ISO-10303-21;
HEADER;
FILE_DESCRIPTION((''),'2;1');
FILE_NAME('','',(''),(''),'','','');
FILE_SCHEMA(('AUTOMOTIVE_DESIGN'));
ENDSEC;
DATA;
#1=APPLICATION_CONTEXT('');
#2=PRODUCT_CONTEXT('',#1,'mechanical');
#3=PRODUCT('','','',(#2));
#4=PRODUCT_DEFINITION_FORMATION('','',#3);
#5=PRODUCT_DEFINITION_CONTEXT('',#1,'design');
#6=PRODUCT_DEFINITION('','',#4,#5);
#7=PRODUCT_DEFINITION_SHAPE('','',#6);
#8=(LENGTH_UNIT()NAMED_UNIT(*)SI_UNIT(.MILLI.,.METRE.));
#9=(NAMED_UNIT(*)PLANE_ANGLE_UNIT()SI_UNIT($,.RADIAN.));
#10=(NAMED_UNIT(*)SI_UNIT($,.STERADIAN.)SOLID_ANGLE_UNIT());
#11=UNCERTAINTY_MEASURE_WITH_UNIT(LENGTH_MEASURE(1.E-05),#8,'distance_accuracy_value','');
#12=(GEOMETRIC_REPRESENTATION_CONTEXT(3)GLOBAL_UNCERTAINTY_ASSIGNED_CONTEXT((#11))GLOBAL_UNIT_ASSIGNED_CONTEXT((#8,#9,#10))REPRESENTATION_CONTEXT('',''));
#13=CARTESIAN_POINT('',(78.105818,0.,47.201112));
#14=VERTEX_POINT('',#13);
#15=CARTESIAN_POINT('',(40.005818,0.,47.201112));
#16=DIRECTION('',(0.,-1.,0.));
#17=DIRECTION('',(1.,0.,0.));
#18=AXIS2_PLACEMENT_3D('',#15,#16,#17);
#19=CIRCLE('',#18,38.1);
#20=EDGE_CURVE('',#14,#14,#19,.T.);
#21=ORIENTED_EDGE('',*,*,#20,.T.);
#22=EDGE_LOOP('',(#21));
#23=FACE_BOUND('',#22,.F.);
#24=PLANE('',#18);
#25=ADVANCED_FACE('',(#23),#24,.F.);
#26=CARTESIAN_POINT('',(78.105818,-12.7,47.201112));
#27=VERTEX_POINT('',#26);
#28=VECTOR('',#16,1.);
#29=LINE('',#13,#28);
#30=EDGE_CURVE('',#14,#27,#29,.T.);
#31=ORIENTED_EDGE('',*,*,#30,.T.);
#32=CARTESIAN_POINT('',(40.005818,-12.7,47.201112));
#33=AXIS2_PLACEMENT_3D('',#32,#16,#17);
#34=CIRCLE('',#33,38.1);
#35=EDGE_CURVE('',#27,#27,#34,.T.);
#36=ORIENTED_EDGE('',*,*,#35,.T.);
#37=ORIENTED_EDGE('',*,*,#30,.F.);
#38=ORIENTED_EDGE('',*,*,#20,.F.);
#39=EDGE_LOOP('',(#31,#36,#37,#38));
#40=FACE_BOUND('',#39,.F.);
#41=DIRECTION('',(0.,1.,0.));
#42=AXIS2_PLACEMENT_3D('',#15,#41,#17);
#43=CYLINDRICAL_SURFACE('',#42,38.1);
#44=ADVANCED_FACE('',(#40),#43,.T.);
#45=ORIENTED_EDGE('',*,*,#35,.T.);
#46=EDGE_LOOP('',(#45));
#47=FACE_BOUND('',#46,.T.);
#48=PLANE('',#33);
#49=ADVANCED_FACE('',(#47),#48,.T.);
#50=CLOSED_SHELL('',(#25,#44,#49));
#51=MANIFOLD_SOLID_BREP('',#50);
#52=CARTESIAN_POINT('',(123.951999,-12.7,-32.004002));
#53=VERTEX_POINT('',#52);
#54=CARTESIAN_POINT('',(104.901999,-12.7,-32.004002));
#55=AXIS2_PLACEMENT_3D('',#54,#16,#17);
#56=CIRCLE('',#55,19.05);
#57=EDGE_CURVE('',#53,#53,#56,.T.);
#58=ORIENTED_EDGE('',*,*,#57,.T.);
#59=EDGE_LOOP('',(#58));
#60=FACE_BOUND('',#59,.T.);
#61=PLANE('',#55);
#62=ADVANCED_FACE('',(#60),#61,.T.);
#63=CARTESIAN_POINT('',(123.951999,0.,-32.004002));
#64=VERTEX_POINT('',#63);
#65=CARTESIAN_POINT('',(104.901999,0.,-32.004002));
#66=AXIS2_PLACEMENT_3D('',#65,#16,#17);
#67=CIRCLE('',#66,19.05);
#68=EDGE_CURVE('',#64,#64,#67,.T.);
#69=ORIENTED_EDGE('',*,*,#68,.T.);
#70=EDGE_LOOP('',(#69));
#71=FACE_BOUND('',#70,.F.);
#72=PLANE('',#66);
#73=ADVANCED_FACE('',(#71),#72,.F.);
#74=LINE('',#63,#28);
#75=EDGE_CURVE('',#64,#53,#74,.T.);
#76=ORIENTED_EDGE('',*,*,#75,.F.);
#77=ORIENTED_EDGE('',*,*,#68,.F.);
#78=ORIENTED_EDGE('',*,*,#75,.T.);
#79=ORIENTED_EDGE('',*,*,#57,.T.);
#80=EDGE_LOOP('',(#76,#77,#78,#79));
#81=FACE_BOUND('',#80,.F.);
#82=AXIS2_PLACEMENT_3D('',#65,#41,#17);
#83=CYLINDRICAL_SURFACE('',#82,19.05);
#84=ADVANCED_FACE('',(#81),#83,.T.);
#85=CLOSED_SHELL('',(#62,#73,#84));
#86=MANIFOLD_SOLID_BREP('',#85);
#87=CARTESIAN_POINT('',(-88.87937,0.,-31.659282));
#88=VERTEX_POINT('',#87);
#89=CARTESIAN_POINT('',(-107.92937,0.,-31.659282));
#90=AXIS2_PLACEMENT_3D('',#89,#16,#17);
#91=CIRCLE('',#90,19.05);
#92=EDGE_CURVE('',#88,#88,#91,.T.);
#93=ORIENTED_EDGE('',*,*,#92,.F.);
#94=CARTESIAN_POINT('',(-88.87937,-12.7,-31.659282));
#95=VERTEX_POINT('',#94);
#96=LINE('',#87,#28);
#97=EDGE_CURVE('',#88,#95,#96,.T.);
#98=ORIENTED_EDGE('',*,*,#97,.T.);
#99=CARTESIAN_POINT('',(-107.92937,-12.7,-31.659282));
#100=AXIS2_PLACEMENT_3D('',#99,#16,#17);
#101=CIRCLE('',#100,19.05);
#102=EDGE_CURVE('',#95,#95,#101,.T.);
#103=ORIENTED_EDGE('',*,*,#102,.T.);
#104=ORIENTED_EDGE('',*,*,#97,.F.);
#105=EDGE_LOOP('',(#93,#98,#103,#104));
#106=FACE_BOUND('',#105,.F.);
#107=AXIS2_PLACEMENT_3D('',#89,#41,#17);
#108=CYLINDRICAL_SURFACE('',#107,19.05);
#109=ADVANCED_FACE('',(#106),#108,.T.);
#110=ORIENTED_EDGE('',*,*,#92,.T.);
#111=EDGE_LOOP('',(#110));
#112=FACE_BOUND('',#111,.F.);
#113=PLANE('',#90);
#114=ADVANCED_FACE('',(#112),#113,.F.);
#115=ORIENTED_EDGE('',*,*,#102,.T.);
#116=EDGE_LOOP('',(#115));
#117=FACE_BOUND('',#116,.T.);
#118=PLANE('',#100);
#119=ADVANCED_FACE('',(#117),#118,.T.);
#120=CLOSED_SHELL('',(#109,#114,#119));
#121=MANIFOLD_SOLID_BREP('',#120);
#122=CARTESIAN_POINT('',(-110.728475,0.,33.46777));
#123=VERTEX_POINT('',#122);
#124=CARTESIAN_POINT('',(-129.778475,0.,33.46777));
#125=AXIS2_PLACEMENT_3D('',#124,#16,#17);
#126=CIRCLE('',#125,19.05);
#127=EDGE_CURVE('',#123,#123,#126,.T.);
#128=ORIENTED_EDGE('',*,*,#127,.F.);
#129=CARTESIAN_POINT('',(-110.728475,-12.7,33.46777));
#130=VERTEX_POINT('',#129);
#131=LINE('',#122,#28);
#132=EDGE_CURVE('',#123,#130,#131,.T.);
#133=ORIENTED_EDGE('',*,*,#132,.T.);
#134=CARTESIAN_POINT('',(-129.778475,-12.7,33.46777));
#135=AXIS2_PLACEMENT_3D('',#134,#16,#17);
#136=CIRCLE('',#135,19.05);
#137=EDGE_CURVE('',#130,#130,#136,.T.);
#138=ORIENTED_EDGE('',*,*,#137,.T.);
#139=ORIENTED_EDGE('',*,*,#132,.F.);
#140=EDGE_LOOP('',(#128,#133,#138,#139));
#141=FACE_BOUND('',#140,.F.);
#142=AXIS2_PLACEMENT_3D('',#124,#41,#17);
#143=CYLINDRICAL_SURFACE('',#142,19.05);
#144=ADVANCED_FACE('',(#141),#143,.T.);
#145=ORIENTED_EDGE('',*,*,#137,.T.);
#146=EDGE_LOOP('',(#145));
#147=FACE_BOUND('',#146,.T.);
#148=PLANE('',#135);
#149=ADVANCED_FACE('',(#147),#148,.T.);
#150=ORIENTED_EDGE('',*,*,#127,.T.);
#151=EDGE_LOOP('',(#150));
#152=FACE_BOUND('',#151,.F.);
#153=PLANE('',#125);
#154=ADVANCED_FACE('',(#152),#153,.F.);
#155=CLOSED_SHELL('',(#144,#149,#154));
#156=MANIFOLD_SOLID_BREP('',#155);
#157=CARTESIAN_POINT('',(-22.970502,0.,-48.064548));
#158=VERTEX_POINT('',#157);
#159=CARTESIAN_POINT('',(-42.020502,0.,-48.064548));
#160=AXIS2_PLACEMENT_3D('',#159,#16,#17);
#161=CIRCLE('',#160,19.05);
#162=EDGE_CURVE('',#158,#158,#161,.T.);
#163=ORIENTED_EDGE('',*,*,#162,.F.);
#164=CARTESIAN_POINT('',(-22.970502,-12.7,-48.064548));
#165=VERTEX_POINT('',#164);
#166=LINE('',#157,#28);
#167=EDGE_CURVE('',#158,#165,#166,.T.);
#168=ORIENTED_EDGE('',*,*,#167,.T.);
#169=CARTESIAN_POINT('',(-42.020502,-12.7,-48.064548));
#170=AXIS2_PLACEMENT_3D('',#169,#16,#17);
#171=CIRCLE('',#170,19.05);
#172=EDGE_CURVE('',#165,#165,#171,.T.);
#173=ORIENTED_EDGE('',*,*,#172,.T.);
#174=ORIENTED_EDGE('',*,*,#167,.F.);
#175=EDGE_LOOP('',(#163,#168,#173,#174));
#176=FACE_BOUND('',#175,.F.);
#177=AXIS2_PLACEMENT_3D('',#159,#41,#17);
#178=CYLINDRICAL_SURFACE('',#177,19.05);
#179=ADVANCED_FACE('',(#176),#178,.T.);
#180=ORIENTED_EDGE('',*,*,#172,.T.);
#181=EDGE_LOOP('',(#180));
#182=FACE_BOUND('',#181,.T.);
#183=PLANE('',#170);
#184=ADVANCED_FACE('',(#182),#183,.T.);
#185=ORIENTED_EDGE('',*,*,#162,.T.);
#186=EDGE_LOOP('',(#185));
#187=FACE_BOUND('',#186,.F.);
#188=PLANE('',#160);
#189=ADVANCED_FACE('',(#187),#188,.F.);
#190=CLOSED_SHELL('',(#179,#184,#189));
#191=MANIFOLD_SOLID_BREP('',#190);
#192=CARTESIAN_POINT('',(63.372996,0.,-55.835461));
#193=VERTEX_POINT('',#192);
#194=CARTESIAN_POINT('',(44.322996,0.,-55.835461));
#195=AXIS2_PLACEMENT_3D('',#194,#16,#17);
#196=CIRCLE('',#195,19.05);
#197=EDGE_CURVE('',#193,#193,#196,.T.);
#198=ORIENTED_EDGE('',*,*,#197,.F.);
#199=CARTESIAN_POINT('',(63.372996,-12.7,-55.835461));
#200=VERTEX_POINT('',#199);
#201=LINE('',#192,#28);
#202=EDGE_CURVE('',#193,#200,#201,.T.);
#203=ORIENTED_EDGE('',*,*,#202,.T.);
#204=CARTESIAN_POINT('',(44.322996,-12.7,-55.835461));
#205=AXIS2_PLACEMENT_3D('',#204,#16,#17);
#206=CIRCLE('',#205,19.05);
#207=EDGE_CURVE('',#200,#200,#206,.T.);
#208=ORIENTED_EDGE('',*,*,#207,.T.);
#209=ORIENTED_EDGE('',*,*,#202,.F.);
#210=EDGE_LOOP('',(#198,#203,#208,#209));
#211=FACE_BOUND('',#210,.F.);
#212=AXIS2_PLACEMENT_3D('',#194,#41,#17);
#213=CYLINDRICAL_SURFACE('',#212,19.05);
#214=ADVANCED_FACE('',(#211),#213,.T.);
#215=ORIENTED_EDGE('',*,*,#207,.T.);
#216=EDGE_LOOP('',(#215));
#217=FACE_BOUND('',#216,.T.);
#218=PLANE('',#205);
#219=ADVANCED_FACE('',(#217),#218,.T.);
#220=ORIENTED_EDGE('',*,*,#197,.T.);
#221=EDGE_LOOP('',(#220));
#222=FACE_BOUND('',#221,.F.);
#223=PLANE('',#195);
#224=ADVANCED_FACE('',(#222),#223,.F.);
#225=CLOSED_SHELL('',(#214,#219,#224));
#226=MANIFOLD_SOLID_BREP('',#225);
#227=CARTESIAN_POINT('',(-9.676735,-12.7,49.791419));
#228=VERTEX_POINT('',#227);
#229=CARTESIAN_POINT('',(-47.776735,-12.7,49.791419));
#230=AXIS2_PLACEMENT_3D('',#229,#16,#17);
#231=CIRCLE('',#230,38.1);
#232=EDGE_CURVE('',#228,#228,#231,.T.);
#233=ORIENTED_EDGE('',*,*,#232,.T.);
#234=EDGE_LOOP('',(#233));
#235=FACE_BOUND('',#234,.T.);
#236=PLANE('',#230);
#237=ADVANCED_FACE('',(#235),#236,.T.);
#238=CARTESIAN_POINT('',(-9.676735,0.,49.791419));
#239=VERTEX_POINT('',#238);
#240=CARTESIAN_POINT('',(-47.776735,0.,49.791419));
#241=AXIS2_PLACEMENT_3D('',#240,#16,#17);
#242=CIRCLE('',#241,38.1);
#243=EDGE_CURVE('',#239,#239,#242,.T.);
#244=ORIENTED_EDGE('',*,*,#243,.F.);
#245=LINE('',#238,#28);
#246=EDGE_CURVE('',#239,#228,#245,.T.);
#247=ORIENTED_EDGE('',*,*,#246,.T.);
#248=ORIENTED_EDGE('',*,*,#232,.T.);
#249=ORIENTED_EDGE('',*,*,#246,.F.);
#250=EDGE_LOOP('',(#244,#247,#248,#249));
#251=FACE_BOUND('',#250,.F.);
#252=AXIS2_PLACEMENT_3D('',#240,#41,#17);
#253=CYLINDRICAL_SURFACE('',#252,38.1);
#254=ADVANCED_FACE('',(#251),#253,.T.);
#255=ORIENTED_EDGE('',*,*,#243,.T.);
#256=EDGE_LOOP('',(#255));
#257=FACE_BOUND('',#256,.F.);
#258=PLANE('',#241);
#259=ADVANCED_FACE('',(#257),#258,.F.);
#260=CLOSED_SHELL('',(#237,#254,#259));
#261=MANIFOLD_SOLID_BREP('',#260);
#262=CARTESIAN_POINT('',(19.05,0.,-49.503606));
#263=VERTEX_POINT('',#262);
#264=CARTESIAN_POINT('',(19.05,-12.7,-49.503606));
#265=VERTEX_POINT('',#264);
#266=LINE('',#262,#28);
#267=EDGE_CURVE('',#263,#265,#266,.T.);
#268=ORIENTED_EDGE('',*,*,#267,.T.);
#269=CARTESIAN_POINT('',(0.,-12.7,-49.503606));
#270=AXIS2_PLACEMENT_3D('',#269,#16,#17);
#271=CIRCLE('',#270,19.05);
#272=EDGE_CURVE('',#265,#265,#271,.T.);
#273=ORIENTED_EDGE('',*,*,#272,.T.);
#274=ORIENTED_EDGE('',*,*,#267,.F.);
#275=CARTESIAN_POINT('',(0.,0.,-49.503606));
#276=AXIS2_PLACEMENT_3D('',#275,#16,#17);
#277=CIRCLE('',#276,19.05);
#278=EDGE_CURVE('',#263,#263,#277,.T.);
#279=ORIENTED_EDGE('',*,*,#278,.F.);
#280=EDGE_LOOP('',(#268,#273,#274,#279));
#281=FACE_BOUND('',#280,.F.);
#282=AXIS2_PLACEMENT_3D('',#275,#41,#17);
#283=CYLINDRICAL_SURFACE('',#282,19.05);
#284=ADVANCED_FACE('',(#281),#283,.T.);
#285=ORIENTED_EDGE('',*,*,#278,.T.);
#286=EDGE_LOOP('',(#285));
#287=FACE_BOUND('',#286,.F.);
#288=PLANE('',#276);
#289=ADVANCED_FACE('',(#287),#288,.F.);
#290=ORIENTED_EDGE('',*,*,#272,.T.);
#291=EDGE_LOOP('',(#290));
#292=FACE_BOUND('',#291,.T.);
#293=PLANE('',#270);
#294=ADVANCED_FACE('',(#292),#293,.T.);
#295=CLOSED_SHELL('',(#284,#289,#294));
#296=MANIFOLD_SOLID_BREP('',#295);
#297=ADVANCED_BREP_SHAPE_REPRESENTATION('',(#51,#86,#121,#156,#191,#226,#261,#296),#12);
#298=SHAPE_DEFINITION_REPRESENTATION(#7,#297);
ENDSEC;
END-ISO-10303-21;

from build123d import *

# Parameters (mm, degrees)
F0_R     = 38.1
F0_R_2   = 19.05
F1_DEPTH = 12.7


with BuildPart() as f1:
    # F0 (on Front) → F1 (new body)
    with BuildSketch(Plane.XZ):
        with Locations((-47.776735, 49.791419)):
            Circle(F0_R)
        with Locations((40.005818, 47.201112)):
            Circle(F0_R)
        with Locations((-42.020502, -48.064548)):
            Circle(F0_R_2)
        with Locations((0, -49.503606)):
            Circle(F0_R_2)
        with Locations((44.322996, -55.835461)):
            Circle(F0_R_2)
        with Locations((-107.92937, -31.659282)):
            Circle(F0_R_2)
        with Locations((104.901999, -32.004002)):
            Circle(F0_R_2)
        with Locations((-129.778475, 33.46777)):
            Circle(F0_R_2)
    extrude(amount=F1_DEPTH)


solid = f1.part
